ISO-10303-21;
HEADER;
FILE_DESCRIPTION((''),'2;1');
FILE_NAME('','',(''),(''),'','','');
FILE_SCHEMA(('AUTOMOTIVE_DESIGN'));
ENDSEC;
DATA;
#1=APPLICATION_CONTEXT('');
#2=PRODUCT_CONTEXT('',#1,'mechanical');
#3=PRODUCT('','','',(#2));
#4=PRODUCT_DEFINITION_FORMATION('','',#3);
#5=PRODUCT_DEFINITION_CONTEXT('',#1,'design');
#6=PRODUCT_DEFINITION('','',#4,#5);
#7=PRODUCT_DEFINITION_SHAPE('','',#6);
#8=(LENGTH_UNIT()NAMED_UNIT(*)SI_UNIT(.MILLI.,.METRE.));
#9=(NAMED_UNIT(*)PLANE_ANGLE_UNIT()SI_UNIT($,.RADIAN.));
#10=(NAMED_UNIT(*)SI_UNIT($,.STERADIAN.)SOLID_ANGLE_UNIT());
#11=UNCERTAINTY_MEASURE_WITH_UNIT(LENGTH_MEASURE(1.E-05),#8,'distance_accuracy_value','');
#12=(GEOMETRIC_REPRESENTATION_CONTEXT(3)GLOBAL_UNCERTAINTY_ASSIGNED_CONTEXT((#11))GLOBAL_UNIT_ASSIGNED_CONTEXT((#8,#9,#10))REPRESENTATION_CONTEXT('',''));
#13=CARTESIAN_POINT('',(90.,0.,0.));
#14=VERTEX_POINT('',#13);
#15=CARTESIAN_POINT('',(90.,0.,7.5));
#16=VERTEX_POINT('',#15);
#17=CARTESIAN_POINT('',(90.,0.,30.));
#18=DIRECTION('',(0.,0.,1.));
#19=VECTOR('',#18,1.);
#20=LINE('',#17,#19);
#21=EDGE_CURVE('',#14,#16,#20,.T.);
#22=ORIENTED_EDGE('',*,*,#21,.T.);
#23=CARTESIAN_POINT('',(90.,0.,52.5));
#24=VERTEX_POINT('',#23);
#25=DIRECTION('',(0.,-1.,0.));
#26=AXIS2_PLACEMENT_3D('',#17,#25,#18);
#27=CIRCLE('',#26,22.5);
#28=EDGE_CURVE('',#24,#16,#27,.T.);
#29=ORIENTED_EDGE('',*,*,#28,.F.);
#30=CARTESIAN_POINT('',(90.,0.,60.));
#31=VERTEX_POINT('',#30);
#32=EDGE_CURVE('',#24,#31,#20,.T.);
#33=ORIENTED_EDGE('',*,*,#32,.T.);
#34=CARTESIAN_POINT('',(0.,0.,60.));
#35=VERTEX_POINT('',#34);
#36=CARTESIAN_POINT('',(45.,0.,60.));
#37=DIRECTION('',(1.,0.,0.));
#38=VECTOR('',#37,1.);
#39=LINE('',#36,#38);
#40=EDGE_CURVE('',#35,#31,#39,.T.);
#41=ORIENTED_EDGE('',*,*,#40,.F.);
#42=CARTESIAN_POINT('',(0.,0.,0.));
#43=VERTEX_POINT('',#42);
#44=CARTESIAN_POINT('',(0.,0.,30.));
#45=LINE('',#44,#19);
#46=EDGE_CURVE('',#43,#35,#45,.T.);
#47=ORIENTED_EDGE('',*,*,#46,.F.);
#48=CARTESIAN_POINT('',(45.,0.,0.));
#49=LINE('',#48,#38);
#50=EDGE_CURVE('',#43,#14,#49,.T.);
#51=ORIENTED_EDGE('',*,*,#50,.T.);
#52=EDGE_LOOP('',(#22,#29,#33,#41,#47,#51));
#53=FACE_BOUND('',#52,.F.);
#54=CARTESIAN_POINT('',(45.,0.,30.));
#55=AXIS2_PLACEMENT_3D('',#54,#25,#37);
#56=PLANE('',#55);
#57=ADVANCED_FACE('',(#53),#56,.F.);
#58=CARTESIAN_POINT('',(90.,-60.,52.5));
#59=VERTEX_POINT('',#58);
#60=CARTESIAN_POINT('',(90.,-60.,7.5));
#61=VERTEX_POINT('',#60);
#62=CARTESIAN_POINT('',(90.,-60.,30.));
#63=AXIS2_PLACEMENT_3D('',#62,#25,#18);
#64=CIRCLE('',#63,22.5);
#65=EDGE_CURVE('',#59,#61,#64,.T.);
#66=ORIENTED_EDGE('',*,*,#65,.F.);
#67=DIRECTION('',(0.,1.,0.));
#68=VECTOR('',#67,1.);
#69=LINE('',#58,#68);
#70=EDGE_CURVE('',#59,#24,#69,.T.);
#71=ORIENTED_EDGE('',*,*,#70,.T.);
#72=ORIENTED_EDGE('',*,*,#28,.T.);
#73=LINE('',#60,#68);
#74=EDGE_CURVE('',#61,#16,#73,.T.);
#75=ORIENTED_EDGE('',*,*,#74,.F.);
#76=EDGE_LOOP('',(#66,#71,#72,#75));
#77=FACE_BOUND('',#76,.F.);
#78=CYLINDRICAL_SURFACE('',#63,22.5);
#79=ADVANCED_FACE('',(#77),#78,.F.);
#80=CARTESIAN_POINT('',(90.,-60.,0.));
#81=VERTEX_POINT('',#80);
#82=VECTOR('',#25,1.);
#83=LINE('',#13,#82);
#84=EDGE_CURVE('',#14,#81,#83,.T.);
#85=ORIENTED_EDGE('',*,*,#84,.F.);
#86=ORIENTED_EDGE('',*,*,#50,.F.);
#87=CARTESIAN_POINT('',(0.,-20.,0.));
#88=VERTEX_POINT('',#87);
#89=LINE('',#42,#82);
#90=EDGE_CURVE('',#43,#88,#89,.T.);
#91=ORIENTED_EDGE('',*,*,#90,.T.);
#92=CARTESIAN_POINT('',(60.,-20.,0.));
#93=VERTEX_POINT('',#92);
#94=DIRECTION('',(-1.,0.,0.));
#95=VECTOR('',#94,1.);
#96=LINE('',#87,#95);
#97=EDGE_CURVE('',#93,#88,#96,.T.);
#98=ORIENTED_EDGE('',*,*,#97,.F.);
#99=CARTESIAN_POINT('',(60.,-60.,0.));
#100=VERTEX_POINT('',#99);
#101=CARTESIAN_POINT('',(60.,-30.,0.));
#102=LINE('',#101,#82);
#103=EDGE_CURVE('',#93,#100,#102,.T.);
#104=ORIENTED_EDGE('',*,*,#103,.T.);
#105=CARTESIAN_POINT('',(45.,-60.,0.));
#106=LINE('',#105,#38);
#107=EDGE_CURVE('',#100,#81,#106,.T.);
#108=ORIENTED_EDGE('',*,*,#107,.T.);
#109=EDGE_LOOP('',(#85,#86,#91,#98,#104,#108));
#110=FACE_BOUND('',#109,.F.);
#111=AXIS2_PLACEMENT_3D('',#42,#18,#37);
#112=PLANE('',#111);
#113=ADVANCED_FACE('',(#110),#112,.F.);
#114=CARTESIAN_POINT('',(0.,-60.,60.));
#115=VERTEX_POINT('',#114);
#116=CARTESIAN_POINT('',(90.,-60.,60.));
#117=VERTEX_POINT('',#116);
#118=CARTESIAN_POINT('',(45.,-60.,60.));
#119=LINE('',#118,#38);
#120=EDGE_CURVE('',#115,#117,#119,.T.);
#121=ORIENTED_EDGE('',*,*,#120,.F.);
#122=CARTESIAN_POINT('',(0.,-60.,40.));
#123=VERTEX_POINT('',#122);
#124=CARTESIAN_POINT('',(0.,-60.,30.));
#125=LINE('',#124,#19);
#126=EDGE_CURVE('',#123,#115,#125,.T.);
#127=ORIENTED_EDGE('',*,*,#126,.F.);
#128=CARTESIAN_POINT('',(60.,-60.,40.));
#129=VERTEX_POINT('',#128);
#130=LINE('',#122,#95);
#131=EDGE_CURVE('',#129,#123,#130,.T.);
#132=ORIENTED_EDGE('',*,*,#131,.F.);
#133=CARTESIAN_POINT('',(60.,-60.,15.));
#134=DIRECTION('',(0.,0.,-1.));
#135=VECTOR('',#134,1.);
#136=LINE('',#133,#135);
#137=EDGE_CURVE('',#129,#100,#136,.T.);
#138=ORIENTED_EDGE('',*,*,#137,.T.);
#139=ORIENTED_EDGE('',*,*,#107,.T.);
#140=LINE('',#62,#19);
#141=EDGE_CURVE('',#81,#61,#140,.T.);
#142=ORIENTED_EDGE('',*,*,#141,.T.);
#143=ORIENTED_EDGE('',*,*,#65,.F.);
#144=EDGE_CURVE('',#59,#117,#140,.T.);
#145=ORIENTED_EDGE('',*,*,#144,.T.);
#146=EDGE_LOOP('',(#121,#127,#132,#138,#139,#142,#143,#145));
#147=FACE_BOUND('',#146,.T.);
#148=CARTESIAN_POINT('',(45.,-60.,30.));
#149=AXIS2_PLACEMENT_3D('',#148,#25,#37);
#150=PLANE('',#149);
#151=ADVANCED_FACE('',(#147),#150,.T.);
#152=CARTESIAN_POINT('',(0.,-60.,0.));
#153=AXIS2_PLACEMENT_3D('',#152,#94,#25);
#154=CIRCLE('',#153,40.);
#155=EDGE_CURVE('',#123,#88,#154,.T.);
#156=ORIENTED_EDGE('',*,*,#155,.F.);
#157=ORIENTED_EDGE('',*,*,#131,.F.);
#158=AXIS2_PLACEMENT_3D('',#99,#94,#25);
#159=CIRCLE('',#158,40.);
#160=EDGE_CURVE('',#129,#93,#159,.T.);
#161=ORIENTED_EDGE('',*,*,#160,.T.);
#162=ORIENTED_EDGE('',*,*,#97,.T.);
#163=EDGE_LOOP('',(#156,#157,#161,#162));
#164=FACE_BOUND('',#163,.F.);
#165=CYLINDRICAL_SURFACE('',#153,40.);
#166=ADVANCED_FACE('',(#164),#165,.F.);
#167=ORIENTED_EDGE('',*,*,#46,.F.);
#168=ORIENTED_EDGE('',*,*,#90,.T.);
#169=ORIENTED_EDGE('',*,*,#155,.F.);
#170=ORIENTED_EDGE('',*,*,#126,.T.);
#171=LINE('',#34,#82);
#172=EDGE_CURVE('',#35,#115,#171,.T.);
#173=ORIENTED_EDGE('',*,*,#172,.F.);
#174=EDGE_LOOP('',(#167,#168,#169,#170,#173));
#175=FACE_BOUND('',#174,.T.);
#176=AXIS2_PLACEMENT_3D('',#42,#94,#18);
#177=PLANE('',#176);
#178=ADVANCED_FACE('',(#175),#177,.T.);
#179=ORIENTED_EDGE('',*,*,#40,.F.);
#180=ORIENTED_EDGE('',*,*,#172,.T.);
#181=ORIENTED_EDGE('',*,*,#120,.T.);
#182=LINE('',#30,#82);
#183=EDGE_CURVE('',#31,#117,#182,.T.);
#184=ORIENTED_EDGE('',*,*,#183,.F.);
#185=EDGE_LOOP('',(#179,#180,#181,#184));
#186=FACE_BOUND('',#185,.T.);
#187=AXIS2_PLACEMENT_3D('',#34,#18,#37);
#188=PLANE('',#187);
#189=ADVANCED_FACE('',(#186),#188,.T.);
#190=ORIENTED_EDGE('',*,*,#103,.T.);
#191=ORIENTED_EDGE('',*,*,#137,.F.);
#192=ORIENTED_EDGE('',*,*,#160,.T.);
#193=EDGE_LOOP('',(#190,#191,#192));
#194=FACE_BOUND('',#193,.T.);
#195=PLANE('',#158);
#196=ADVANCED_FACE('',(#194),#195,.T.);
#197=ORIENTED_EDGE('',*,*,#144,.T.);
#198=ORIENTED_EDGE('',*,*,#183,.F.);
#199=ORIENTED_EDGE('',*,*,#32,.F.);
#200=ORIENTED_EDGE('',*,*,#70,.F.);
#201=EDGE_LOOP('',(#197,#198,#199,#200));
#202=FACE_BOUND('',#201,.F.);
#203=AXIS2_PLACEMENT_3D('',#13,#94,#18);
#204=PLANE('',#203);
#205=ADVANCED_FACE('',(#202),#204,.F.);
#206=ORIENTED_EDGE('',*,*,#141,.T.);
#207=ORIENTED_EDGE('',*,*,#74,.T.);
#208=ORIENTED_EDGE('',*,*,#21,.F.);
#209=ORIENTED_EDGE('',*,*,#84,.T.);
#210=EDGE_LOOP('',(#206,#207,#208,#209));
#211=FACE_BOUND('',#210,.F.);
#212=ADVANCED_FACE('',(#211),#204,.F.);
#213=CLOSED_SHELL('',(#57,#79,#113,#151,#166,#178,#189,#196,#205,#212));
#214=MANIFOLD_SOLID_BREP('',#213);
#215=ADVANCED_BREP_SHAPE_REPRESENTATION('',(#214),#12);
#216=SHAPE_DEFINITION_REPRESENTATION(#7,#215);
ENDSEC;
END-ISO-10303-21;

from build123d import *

# Parameters (mm, degrees)
F0_W     = 90
F0_H     = 60
F1_DEPTH = 60
F3_DEPTH = 60.001
F4_R     = 40
F5_DEPTH = 60


with BuildPart() as f1:
    # F0 (on Front) → F1 (new body)
    with BuildSketch(Plane.XZ):
        with Locations((45, 30)):
            Rectangle(F0_W, F0_H)
    extrude(amount=F1_DEPTH)

    # F2 (on face) → F3 (cut, through all)
    with BuildSketch(Plane.XZ.offset(60)):
        with BuildLine():
            Line((90, 7.5), (90, 52.5))
            ThreePointArc((90, 52.5), (67.5, 30), (90, 7.5))
        make_face()
    extrude(amount=-F3_DEPTH, mode=Mode.SUBTRACT)

    # F4 (on face) → F5 (cut)
    with BuildSketch(Plane(origin=(0, 0, 0), x_dir=(0, -1, 0), z_dir=(-1, 0, 0))):
        with Locations((60, 0)):
            Circle(F4_R)
    extrude(amount=-F5_DEPTH, mode=Mode.SUBTRACT)


solid = f1.part
